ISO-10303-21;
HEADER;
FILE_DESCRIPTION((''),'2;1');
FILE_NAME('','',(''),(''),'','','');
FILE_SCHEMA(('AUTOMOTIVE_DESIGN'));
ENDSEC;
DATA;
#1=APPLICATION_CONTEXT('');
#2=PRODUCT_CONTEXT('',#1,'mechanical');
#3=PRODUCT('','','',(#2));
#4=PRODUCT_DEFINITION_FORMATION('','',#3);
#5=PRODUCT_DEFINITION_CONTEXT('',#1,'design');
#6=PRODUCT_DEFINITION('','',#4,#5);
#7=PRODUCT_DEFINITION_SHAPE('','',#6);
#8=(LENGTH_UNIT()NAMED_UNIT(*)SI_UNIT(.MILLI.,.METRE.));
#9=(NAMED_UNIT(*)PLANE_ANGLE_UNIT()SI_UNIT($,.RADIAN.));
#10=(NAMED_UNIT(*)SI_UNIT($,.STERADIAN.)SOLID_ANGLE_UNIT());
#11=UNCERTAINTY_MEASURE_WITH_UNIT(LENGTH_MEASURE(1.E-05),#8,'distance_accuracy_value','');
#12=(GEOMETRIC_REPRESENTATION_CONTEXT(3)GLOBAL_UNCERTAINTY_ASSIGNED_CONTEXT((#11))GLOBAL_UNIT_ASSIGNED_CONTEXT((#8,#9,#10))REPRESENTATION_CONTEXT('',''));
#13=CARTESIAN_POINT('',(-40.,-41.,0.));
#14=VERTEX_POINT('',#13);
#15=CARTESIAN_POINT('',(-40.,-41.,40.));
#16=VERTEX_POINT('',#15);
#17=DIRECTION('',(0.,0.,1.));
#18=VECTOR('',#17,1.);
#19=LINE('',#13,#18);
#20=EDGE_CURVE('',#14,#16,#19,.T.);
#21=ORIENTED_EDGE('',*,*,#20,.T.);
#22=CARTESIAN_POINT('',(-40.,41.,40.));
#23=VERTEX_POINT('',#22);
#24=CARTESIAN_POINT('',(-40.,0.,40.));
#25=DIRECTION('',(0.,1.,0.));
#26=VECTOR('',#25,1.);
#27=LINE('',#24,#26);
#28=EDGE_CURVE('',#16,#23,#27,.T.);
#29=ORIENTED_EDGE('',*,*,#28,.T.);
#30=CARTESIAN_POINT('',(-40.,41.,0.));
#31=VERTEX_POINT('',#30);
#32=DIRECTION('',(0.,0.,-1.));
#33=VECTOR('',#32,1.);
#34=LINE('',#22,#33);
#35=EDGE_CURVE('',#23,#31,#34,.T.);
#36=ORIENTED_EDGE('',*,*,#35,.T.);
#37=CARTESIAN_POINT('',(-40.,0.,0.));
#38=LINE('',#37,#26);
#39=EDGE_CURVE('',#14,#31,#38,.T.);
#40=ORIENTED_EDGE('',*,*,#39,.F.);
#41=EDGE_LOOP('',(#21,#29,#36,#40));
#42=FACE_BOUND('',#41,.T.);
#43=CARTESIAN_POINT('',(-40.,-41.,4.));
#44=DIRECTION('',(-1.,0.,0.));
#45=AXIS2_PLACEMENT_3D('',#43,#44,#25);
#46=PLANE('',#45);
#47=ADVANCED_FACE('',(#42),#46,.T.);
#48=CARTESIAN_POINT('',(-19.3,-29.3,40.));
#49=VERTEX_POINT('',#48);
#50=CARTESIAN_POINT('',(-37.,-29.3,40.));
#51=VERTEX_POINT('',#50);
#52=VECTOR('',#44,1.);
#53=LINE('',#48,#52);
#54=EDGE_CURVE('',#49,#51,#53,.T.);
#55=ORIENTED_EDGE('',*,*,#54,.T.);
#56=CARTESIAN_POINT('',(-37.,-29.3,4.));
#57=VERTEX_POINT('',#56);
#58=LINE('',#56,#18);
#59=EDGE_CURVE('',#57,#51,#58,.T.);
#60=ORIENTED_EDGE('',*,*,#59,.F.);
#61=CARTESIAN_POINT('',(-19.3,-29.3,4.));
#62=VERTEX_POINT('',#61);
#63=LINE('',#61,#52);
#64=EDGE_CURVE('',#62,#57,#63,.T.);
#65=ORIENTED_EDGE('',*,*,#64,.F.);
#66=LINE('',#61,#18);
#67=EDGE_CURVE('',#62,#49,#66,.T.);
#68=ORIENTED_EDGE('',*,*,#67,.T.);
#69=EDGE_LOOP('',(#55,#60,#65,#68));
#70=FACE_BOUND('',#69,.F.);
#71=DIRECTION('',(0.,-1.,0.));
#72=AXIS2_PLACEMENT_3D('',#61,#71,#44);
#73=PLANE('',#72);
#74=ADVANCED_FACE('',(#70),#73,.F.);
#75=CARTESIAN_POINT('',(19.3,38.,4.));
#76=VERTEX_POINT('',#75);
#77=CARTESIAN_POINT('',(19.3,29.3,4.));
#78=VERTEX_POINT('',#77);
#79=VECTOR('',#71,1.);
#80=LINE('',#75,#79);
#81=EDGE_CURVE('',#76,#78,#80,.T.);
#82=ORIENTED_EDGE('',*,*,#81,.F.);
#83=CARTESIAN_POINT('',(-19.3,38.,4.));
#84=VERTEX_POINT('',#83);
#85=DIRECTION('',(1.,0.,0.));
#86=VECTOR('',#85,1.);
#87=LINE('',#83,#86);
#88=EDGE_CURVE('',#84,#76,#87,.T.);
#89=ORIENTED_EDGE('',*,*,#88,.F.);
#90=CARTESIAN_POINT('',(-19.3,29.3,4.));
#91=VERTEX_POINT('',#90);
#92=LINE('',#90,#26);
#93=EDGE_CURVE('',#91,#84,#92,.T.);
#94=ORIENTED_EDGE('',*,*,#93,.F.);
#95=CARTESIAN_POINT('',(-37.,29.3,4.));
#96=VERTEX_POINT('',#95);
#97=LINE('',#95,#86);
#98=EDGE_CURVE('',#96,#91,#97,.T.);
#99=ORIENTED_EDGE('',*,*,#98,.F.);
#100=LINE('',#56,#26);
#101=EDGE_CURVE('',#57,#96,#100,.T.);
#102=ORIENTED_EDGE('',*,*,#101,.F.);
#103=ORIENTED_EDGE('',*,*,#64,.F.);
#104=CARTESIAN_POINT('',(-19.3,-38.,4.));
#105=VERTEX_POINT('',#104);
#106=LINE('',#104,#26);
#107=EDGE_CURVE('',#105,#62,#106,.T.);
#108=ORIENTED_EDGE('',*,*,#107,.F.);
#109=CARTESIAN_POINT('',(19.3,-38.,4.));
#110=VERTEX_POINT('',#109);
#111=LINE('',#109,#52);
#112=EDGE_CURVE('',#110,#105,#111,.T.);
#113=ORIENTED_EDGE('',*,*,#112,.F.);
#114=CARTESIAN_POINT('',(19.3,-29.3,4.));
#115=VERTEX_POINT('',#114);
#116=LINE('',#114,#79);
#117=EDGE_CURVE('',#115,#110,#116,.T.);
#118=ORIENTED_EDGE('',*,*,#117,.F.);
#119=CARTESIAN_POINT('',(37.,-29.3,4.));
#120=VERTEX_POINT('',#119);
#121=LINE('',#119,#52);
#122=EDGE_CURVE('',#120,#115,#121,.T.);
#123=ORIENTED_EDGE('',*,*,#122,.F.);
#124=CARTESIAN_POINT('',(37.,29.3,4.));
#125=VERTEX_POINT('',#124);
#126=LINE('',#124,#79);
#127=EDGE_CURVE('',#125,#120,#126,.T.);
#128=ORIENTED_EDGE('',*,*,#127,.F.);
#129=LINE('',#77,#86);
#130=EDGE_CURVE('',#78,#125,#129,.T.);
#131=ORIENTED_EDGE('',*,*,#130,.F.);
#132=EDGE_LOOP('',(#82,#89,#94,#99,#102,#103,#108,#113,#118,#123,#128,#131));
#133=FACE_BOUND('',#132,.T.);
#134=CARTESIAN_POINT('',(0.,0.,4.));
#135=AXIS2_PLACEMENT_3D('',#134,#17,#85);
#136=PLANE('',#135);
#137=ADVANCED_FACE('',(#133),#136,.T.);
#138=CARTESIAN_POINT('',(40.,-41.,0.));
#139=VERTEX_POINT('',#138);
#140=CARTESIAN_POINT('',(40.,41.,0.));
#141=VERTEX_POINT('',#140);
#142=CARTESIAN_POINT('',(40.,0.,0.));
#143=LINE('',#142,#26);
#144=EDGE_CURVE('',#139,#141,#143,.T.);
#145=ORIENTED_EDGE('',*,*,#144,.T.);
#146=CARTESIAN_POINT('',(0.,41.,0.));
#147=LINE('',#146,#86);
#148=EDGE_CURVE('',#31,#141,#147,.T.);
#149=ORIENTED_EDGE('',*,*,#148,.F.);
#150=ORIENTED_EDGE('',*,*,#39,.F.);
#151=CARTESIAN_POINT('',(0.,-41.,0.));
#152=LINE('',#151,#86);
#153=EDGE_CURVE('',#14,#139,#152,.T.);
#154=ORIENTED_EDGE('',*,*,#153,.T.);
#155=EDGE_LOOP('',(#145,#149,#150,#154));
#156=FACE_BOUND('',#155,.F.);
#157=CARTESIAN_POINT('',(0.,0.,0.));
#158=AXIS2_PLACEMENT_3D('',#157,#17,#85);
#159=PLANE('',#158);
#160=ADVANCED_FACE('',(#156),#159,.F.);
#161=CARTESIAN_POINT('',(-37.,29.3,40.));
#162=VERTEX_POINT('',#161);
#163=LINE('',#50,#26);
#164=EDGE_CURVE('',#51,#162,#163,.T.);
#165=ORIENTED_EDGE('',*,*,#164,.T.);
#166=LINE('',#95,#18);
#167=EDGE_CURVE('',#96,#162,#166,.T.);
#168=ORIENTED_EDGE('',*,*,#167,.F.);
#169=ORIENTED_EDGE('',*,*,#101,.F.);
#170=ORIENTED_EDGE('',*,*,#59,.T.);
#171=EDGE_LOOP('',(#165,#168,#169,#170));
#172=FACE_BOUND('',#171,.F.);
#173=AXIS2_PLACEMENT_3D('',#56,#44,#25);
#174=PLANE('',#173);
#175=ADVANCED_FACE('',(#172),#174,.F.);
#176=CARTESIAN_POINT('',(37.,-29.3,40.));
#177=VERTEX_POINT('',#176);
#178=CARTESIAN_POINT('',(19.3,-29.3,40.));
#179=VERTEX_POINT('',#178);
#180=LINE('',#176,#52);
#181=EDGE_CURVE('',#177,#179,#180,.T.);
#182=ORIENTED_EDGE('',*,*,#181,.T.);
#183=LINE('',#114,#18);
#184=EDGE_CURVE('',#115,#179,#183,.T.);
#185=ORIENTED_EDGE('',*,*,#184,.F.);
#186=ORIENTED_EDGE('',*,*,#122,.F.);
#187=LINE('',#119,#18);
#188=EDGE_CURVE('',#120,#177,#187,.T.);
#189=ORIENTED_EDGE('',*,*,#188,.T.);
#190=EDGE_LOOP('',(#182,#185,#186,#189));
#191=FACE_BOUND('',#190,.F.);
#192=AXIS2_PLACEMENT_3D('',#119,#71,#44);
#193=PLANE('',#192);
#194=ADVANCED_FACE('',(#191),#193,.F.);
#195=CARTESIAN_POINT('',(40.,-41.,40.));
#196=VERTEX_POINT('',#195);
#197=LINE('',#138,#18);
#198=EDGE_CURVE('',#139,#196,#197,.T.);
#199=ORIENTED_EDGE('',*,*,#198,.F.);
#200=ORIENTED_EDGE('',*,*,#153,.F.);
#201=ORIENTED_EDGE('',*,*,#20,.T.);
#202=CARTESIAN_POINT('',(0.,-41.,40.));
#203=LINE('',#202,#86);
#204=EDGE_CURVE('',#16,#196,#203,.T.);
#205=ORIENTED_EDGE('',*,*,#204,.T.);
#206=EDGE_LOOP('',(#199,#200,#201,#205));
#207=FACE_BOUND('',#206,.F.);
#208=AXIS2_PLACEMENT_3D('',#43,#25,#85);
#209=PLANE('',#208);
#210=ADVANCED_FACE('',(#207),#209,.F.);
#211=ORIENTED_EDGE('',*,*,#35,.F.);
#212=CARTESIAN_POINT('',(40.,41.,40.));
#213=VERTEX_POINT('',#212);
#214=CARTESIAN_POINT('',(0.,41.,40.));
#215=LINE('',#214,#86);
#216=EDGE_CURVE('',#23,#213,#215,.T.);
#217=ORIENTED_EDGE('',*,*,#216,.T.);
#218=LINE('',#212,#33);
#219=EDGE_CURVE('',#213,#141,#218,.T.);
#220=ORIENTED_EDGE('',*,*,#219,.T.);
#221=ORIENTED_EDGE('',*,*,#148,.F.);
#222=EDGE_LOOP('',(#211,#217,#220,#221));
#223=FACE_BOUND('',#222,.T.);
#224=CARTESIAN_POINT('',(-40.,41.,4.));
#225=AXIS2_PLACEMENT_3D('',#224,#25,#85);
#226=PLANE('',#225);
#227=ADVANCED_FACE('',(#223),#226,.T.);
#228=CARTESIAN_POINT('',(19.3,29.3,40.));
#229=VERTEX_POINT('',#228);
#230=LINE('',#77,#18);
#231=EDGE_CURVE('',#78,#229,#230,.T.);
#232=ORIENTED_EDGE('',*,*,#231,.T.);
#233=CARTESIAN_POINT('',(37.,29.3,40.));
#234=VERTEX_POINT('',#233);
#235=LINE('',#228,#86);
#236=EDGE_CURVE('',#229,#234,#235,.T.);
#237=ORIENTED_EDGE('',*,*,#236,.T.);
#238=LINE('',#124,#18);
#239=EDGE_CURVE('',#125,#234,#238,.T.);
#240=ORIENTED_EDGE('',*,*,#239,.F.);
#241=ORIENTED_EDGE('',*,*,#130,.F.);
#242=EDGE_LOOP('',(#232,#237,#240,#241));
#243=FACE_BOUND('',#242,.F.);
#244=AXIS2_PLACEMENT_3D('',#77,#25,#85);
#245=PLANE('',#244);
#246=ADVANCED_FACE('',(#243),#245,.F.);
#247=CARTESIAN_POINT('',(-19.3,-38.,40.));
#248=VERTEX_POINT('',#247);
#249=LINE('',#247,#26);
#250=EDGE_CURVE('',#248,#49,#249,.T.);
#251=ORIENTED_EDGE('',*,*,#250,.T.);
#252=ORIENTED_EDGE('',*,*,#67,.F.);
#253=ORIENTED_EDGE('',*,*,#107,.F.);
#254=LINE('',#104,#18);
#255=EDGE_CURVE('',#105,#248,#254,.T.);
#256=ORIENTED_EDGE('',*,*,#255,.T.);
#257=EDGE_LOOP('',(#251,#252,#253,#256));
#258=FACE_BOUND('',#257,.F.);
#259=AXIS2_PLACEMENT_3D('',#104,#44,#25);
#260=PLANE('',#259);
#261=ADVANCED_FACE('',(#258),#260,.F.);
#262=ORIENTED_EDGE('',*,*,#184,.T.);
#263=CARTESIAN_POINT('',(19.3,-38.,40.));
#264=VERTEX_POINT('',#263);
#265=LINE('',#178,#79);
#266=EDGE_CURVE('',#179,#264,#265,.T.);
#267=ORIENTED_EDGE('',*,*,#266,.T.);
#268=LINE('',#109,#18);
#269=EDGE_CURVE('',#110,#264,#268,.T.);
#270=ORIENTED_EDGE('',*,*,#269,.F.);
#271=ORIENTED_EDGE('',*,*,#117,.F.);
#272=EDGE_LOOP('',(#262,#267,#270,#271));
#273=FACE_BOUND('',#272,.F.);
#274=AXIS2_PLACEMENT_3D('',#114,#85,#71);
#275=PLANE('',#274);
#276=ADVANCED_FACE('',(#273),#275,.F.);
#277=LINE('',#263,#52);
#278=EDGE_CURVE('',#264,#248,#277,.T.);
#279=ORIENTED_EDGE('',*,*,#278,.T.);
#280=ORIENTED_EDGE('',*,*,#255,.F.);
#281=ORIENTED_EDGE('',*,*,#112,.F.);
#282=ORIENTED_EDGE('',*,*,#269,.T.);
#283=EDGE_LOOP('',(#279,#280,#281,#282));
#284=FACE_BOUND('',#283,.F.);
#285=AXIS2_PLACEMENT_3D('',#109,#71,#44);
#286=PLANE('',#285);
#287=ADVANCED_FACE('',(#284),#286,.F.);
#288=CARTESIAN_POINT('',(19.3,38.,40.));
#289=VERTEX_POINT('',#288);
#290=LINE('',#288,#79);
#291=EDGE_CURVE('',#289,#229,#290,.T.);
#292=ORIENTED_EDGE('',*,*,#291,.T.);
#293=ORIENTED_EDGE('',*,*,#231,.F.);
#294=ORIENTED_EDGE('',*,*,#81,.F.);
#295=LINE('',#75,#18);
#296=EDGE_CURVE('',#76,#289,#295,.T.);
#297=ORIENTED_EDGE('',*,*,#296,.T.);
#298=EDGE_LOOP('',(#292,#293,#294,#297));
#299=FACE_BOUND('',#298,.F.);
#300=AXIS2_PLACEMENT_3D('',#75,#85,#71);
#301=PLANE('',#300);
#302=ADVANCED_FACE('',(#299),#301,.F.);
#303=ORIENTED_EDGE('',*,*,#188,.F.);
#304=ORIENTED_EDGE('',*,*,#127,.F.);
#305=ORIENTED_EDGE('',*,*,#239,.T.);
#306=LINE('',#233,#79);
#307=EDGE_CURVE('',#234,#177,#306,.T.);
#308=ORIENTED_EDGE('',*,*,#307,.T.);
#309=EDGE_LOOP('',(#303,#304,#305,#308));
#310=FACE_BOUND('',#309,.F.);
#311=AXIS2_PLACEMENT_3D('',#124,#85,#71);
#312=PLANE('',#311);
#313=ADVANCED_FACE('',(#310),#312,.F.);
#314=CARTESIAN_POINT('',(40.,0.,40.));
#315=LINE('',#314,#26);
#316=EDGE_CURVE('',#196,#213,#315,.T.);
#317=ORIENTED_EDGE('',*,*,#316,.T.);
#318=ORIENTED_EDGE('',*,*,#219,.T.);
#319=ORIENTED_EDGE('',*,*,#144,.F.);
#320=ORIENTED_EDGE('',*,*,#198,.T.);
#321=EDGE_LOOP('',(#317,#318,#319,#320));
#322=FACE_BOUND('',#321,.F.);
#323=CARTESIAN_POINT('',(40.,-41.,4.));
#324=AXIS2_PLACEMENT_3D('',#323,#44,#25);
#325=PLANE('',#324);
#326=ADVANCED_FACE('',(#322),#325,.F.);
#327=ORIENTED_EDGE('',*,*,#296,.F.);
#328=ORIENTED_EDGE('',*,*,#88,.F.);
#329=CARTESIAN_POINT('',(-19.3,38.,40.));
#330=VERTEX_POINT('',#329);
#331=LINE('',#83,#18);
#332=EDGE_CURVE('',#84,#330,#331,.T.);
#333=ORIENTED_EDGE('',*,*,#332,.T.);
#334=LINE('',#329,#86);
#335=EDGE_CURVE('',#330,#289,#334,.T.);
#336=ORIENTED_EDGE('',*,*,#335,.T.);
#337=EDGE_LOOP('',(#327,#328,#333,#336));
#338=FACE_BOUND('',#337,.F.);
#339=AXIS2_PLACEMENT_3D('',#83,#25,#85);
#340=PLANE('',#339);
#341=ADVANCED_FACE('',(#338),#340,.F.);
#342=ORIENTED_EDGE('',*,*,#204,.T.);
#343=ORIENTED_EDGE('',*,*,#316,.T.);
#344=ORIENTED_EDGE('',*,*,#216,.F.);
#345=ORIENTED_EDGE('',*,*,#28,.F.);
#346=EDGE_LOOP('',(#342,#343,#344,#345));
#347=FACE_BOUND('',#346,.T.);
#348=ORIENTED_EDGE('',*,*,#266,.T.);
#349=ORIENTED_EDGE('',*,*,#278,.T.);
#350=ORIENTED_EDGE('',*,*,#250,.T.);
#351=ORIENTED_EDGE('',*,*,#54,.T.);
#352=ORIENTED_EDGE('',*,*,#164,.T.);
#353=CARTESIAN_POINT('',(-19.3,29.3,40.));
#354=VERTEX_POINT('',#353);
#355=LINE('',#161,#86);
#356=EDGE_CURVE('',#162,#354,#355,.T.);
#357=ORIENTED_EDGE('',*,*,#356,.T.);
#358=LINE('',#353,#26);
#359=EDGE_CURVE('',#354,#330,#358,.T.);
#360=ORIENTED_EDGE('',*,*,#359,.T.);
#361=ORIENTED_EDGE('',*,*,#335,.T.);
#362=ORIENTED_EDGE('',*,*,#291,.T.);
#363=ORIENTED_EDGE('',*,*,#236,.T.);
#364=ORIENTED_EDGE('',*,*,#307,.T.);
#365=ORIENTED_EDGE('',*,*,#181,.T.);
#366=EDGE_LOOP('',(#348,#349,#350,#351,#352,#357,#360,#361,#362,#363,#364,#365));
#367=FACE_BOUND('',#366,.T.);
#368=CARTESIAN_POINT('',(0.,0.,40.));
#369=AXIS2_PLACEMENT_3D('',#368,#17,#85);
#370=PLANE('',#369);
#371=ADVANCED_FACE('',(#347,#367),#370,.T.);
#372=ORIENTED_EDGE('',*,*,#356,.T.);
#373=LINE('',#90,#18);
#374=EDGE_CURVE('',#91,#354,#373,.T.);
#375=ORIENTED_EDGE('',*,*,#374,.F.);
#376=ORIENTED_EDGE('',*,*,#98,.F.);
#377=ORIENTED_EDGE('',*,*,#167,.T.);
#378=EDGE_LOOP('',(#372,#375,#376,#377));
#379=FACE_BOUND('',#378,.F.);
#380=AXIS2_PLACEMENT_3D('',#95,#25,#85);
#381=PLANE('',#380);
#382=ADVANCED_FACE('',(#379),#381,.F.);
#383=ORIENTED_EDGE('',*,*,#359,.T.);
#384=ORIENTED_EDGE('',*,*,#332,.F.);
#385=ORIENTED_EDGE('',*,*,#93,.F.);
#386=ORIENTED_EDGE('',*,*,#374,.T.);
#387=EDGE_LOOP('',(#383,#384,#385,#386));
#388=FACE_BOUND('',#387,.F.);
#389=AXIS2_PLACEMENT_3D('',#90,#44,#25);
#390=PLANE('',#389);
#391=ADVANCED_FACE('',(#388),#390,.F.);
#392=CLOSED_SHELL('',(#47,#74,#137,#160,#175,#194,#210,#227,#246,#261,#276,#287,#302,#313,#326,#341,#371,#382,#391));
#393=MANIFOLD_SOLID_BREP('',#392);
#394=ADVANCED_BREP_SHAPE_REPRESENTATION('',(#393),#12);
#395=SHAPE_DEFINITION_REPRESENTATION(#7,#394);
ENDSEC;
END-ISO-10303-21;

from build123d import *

# Parameters (mm, degrees)
F0_W     = 80
F0_H     = 82
F1_DEPTH = 4
F2_W     = 80
F2_H     = 82
F3_DEPTH = 36


with BuildPart() as f1:
    # F0 (on Top) → F1 (new body)
    with BuildSketch(Plane.XY):
        Rectangle(F0_W, F0_H)
    extrude(amount=F1_DEPTH)

    # F2 (on face) → F3 (join)
    with BuildSketch(Plane.XY.offset(4)):
        Rectangle(F2_W, F2_H)
        Polygon((-37, 29.3), (-19.3, 29.3), (-19.3, 38), (19.3, 38), (19.3, 29.3), (37, 29.3), (37, -29.3), (19.3, -29.3), (19.3, -38), (-19.3, -38), (-19.3, -29.3), (-37, -29.3), align=None, mode=Mode.SUBTRACT)
    extrude(amount=F3_DEPTH)


solid = f1.part
